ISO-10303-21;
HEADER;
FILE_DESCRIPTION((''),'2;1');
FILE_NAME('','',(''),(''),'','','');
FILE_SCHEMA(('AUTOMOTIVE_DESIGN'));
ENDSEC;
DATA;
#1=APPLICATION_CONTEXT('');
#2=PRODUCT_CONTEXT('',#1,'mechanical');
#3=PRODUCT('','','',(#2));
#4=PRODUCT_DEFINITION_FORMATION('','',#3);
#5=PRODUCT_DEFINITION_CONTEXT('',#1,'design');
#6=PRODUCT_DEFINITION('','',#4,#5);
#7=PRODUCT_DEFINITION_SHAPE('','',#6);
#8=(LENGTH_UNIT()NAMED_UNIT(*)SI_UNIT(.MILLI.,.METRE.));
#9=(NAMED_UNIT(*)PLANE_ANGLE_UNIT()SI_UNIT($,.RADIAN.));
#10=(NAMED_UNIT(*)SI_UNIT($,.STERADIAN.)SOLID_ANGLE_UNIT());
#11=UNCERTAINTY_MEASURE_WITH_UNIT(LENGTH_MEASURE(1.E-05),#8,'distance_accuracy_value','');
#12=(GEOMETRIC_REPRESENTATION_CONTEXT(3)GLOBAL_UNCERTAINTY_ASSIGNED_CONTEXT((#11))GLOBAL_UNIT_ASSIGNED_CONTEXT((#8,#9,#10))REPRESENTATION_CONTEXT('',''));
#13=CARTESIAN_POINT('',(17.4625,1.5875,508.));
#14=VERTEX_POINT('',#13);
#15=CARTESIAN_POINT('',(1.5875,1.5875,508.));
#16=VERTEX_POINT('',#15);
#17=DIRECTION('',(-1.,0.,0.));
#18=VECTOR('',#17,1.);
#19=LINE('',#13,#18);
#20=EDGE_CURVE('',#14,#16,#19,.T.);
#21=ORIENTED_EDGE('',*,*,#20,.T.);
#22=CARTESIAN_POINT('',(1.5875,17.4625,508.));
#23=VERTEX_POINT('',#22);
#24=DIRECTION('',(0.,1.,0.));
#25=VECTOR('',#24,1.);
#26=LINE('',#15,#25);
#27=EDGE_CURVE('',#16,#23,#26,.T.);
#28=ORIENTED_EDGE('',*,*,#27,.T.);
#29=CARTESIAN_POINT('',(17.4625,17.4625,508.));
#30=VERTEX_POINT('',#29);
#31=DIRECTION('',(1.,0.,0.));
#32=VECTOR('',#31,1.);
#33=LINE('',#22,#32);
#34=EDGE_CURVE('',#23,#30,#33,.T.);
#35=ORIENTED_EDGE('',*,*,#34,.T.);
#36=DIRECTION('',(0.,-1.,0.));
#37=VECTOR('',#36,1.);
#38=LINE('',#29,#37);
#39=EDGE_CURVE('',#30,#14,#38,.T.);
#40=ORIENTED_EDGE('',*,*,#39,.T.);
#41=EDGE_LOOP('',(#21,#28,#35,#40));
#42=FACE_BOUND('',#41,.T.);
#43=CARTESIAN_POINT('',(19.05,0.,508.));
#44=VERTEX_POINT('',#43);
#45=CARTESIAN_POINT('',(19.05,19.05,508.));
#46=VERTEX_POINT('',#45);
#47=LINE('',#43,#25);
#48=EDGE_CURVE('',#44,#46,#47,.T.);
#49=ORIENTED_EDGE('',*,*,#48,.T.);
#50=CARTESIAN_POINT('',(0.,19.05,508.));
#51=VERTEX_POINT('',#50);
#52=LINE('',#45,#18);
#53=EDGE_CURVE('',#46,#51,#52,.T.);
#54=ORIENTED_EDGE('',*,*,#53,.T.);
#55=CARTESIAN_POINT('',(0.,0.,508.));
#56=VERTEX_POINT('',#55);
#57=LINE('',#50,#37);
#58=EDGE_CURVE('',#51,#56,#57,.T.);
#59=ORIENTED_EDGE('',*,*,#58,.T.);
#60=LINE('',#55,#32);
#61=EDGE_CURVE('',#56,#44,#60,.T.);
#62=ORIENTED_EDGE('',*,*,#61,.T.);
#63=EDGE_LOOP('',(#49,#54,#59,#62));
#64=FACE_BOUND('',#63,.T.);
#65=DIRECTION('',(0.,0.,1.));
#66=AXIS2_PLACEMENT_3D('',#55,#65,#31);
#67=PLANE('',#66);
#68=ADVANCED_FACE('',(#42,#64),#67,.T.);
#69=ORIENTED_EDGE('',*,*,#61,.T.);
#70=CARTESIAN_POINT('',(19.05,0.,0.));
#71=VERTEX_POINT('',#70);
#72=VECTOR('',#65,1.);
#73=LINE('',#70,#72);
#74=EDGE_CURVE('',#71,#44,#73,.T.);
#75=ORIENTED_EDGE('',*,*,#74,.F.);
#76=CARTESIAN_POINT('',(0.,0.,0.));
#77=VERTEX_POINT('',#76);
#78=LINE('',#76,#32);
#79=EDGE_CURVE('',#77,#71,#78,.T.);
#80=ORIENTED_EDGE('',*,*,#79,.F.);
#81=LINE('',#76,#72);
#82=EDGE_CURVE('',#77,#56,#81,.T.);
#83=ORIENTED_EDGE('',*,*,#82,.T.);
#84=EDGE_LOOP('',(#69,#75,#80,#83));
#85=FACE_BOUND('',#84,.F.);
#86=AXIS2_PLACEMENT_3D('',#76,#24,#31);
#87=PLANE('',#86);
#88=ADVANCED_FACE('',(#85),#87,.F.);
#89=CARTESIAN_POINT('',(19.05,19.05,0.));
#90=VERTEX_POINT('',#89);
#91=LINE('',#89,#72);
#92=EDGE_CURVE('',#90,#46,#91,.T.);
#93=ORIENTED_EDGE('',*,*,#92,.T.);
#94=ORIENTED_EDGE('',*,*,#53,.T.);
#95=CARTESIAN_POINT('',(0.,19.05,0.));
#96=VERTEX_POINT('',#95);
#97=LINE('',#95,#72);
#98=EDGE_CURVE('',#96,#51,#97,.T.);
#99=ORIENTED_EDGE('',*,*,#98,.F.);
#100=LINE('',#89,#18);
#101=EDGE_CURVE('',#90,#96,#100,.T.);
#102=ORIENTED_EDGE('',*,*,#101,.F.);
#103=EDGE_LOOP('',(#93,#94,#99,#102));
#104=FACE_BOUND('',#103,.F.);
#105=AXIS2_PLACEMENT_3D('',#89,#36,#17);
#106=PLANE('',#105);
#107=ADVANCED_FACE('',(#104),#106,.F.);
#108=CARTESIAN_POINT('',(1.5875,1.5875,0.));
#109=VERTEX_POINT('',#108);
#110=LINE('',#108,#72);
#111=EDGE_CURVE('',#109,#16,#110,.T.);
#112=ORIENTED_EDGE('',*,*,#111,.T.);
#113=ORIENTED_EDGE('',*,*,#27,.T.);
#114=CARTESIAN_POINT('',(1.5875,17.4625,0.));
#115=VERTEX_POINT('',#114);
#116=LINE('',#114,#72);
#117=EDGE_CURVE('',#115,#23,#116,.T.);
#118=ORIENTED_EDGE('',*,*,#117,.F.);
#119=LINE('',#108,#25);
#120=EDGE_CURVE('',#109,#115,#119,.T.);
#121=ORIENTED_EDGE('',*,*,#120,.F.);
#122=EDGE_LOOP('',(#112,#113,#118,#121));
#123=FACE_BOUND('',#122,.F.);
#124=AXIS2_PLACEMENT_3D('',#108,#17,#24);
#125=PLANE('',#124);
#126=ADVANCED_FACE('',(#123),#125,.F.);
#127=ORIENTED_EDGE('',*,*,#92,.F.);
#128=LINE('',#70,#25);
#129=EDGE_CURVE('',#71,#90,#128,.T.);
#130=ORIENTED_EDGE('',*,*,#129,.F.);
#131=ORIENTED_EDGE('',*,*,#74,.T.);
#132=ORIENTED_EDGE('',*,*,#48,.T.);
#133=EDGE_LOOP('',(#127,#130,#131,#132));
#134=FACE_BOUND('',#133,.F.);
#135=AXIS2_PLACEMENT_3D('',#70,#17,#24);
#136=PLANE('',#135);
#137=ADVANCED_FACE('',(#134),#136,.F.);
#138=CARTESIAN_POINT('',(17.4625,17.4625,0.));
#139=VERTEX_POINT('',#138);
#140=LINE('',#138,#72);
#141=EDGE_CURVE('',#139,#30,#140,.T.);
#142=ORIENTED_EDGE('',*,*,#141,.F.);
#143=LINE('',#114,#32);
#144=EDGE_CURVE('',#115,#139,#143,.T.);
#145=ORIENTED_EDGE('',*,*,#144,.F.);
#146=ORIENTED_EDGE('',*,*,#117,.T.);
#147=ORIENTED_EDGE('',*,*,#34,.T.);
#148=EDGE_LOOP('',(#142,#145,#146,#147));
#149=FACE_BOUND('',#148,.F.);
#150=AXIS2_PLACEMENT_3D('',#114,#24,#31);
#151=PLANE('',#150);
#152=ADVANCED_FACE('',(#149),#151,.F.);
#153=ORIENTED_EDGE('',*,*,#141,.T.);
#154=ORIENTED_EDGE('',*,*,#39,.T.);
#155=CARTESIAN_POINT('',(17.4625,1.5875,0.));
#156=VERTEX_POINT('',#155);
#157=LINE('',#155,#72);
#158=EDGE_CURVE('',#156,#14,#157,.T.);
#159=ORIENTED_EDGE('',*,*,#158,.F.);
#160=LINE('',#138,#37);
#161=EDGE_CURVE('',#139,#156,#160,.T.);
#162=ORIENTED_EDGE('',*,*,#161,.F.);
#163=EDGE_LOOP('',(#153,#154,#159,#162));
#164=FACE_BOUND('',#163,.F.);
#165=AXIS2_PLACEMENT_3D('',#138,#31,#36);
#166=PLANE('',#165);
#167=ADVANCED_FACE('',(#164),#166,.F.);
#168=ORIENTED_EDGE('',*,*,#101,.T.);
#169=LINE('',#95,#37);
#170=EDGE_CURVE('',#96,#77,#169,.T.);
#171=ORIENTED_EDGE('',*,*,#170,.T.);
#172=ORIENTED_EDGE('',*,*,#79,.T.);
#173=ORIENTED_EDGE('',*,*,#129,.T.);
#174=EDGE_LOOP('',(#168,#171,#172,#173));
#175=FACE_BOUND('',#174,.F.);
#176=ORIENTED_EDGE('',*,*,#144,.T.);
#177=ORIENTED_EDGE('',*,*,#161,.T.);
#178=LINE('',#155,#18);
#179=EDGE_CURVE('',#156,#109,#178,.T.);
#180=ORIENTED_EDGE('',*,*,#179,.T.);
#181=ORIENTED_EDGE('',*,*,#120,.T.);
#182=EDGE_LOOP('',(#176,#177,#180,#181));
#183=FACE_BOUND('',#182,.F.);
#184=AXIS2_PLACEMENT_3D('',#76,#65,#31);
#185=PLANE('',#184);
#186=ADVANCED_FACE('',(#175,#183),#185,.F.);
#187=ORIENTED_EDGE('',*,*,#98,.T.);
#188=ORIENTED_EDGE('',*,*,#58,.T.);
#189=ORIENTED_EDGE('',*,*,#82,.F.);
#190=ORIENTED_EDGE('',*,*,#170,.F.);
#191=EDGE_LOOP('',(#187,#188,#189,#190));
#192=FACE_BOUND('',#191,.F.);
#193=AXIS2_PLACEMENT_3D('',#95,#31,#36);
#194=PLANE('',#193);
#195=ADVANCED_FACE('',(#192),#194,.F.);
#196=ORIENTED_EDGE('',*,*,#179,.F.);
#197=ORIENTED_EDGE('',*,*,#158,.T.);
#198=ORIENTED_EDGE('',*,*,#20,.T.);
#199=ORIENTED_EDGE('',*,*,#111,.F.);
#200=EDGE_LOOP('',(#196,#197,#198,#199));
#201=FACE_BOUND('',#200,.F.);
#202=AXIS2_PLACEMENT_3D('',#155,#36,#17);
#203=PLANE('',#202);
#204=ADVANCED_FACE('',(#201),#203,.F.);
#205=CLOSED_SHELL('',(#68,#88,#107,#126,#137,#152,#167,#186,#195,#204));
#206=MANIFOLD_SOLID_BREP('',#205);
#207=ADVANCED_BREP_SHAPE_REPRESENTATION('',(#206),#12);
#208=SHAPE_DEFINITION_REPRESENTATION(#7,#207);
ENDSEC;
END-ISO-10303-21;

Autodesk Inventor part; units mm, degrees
ref_plane "YZ Plane" through (0, 0, 0) normal (1, 0, 0) x (0, 1, 0)
ref_plane "XZ Plane" through (0, 0, 0) normal (0, 1, 0) x (-1, 0, 0)
ref_plane "XY Plane" through (0, 0, 0) normal (0, 0, 1) x (1, 0, 0)
sketch "Sketch1" plane through (0, 0, 0) normal (0, 0, 1) x (1, 0, 0)
  line L0 (0, 0) -> (19.05, 0)
  line L1 (19.05, 0) -> (19.05, 19.05)
  line L2 (19.05, 19.05) -> (0, 19.05)
  line L3 (0, 19.05) -> (0, 0)
  line L4 (1.5875, 17.4625) -> (17.4625, 17.4625)
  line L5 (17.4625, 17.4625) -> (17.4625, 1.5875)
  line L6 (17.4625, 1.5875) -> (1.5875, 1.5875)
  line L7 (1.5875, 1.5875) -> (1.5875, 17.4625)
  dimension "d0" = 19.05
  dimension "d1" = 19.05
  dimension "d2" = 1.5875
extrude "Extrusion1" add sketch "Sketch1" along normal blind 508
properties part number "TelescopeInner" material "Aluminum 6061"
